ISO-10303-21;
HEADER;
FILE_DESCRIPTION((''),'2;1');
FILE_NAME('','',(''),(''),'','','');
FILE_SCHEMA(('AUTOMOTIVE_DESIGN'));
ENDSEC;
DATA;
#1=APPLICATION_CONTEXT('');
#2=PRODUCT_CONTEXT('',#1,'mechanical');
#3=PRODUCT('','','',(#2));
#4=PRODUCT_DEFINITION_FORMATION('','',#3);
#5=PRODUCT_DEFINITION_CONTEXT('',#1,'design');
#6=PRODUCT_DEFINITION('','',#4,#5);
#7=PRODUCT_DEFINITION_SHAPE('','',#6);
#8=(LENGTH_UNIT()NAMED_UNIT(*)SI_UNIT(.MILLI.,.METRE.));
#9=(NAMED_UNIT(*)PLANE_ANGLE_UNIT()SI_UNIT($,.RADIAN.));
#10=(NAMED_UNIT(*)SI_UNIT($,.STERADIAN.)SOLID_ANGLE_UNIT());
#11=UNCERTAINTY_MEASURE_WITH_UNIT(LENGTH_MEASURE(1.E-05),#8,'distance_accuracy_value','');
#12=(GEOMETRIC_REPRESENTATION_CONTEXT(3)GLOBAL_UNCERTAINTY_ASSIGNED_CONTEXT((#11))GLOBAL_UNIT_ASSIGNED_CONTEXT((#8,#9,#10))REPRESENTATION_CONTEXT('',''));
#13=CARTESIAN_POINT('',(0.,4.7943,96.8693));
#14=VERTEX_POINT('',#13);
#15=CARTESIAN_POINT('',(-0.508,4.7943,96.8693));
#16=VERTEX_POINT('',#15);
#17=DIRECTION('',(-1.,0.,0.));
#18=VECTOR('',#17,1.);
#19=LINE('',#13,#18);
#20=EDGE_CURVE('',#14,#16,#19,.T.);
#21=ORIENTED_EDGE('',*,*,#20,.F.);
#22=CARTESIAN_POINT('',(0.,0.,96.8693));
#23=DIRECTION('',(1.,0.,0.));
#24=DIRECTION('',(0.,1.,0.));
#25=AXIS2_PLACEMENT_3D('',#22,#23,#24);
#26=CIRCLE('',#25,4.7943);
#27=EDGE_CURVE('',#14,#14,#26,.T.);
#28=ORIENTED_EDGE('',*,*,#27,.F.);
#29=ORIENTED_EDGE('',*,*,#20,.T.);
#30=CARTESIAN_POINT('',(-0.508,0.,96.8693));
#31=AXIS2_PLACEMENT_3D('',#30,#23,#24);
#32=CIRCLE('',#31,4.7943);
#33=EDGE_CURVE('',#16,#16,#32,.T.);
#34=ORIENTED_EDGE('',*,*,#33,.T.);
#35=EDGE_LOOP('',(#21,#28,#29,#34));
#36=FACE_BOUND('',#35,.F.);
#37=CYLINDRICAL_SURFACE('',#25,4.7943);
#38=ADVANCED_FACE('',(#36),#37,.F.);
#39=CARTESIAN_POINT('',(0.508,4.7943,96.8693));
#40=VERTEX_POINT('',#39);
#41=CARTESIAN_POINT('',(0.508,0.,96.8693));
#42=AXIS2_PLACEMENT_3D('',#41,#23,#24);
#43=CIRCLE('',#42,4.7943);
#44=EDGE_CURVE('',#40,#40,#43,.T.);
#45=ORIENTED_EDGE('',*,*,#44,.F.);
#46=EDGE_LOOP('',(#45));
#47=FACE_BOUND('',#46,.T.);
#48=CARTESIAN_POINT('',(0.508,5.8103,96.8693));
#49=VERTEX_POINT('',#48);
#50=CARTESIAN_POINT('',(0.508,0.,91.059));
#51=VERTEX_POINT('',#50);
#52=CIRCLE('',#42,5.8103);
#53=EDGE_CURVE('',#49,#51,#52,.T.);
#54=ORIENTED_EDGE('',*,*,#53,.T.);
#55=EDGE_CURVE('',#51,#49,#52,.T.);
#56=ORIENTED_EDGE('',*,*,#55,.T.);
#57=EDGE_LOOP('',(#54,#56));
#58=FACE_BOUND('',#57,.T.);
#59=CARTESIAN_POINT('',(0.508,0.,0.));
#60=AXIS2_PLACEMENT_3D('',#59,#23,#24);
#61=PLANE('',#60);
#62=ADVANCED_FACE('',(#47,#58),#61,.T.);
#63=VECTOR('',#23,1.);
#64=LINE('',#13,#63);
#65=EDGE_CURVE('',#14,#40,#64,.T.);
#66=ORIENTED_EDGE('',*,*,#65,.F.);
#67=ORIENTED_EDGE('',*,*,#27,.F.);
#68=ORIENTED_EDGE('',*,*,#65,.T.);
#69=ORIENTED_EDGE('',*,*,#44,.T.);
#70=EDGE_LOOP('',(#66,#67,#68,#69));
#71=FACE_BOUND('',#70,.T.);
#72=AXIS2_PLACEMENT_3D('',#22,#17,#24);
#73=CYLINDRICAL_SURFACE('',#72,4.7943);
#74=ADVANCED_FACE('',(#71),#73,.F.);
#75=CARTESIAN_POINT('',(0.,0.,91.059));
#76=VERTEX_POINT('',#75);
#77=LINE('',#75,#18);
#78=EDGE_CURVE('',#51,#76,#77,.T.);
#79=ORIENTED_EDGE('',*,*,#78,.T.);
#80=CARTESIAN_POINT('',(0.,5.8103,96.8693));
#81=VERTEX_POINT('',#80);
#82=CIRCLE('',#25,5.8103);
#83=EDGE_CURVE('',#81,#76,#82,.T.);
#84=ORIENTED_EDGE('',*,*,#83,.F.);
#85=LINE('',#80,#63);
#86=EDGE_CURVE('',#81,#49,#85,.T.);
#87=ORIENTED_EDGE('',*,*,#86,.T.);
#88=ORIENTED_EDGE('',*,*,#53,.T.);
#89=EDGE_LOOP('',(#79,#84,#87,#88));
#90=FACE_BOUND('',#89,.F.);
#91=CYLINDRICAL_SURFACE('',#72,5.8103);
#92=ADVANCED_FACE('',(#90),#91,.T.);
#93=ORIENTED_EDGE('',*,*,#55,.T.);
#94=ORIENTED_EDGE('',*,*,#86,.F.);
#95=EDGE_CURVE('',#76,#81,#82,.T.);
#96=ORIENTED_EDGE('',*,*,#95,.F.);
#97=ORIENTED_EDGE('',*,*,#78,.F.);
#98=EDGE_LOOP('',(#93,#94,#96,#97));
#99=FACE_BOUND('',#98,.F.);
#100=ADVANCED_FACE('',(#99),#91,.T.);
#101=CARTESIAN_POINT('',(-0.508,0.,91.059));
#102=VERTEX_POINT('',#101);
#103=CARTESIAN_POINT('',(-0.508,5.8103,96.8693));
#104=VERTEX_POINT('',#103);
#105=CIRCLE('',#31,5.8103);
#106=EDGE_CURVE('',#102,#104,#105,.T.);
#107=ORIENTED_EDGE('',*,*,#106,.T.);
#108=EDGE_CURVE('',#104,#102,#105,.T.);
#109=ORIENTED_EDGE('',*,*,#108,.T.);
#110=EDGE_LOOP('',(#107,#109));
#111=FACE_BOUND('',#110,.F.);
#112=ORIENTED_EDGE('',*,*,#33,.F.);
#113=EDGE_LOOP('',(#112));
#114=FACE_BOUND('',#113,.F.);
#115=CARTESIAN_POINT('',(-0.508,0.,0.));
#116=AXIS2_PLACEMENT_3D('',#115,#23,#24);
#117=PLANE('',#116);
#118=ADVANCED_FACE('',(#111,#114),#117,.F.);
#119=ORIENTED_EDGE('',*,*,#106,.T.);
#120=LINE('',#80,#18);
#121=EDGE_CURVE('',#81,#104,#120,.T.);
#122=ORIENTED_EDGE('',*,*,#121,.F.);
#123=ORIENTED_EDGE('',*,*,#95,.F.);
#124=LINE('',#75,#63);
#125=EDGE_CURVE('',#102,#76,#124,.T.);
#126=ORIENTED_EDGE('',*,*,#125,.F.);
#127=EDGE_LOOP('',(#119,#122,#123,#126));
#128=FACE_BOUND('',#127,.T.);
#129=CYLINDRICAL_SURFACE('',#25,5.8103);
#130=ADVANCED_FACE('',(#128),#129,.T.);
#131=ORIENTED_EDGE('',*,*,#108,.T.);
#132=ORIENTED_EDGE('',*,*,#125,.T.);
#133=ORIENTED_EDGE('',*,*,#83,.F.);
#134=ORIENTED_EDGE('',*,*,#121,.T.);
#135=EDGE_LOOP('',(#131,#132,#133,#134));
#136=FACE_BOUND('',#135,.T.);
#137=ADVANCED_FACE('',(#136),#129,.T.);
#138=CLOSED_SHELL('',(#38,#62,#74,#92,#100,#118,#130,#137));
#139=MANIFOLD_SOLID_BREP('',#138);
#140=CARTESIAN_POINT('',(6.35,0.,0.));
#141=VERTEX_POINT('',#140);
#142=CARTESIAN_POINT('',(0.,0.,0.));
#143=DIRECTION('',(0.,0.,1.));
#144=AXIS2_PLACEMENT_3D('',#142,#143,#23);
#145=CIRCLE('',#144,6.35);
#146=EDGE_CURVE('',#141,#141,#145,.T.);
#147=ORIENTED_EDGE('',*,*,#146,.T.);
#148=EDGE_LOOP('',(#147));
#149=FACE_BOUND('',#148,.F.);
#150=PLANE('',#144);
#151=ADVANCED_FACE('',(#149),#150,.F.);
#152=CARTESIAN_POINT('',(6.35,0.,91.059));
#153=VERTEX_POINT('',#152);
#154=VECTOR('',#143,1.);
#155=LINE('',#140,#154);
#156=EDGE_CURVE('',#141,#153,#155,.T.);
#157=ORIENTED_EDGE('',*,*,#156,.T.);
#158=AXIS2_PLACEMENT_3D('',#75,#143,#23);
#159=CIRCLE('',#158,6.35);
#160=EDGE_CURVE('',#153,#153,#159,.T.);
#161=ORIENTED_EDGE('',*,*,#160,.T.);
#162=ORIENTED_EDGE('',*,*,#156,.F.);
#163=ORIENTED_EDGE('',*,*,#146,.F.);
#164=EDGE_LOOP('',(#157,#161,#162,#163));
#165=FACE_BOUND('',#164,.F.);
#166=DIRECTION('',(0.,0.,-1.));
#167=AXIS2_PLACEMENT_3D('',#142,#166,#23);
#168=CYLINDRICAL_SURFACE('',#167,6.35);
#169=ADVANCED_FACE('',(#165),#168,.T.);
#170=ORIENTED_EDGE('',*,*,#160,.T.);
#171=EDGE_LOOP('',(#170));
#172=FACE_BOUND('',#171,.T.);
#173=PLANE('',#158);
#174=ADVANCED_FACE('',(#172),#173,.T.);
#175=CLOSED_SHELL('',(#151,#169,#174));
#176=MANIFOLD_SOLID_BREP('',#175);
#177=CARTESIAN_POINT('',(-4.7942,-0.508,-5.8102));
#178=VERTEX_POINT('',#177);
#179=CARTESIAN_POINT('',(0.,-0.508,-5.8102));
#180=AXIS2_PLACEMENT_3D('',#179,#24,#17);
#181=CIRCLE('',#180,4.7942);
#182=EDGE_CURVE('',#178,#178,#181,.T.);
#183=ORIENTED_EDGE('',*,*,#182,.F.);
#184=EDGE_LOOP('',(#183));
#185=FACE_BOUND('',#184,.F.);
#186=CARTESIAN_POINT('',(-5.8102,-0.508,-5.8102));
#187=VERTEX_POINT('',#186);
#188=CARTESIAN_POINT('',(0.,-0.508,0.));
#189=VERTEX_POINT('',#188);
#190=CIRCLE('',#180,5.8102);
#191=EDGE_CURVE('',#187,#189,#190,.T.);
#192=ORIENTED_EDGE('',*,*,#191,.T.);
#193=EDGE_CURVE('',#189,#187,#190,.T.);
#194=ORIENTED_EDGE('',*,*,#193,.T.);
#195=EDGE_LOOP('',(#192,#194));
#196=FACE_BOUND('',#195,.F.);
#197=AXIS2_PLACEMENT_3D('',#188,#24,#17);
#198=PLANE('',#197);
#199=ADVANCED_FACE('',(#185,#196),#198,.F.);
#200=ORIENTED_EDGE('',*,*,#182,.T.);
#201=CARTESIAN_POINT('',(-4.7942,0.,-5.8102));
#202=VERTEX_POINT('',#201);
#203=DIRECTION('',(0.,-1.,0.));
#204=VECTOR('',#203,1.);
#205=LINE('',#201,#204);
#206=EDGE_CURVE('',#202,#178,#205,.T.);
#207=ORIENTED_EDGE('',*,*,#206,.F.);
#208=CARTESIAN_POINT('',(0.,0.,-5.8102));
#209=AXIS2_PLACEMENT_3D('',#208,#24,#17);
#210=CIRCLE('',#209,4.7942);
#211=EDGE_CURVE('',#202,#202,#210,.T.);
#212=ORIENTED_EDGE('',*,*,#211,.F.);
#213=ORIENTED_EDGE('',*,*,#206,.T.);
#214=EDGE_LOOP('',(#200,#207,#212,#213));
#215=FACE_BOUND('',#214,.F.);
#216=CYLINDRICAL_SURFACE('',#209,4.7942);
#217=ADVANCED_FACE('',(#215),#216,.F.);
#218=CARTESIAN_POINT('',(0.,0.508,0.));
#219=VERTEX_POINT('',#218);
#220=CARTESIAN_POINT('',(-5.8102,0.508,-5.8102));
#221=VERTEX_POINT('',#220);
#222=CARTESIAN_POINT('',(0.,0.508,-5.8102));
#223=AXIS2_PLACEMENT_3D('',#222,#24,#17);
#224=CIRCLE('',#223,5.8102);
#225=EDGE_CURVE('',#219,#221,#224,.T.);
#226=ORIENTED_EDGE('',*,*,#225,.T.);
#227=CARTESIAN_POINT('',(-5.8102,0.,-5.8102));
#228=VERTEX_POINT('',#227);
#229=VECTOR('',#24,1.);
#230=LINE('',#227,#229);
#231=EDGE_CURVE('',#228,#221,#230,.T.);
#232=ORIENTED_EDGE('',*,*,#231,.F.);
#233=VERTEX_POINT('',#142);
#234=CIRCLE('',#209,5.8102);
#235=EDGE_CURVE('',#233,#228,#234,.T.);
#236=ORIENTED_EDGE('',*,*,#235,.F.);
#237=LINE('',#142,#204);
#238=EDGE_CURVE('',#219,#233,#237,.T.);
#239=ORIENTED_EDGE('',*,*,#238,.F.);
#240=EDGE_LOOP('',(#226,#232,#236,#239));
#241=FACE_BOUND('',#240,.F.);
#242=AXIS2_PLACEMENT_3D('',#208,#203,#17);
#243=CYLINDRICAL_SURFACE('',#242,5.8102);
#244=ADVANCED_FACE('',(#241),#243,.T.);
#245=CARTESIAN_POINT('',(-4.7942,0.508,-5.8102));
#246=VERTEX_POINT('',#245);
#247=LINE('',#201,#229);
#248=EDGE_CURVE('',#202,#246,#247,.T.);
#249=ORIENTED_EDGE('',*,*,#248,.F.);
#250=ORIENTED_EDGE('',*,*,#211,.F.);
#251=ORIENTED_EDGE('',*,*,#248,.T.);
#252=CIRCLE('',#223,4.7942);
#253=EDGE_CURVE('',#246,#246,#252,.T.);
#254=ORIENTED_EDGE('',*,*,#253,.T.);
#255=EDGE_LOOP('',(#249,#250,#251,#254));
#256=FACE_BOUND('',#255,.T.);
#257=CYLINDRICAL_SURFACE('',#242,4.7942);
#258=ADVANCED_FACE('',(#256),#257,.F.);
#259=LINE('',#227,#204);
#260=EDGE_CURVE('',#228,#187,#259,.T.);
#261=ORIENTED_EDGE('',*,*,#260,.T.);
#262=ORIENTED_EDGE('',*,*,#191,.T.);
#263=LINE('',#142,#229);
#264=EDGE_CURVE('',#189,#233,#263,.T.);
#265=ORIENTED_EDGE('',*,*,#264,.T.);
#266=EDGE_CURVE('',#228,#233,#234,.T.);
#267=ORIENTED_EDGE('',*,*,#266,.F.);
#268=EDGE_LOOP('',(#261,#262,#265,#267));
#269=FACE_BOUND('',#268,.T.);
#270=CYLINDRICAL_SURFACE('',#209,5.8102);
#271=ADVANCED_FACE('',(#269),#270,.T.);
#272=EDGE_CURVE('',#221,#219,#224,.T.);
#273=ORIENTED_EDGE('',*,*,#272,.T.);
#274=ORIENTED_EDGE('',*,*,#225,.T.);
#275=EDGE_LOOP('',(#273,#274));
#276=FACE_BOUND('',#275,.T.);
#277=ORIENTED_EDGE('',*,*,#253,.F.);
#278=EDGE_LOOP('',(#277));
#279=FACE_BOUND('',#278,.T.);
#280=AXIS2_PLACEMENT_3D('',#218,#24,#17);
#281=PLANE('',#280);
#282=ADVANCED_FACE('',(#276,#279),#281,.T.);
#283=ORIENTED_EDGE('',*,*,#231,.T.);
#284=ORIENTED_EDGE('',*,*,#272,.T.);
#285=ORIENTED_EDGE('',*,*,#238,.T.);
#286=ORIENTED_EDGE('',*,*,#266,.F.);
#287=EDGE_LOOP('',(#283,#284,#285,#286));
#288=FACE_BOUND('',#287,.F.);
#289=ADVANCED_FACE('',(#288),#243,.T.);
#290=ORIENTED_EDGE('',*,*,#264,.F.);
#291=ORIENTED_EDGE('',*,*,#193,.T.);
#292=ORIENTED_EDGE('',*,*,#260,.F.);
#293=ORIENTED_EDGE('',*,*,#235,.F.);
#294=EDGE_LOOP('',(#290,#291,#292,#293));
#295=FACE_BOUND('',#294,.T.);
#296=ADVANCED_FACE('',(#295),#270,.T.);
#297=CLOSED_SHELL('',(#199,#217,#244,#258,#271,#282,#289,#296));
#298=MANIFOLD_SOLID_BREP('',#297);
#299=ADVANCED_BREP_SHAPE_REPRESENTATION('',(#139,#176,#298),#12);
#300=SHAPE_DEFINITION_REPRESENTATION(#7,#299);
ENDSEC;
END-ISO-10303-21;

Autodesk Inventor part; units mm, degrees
ref_plane "YZ Plane" through (0, 0, 0) normal (1, 0, 0) x (0, 1, 0)
ref_plane "XZ Plane" through (0, 0, 0) normal (0, 1, 0) x (-1, 0, 0)
ref_plane "XY Plane" through (0, 0, 0) normal (0, 0, 1) x (1, 0, 0)
sketch "Sketch2" plane through (0, 0, 0) normal (0, 0, 1) x (1, 0, 0)
  circle A0 centre (0, 0) radius 6.35
  dimension "d0" = 12.7
extrude "Extrusion1" add sketch "Sketch2" along normal blind 91.059
sketch "Sketch3" plane through (0, 0, 0) normal (1, 0, 0) x (0, 1, 0)
  line L0 (6.35, 91.059) -> (-6.35, 91.059) construction
  line L1 (0, 91.059) -> (0, 96.8693) construction
  circle A0 centre (0, 96.8693) radius 5.8103
  circle A1 centre (0, 96.8693) radius 4.7943
  point P0 (0, 0)
  dimension "d3" = 5.8102
  dimension "d4" = 11.6205
  dimension "d5" = 1.016
extrude "Extrusion2" add sketch "Sketch3" along normal mid plane 1.016
sketch "Sketch4" plane through (0, 0, 0) normal (0, 1, 0) x (-1, 0, 0)
  line L0 (0, 0) -> (0, -5.8102) construction
  circle A0 centre (0, -5.8102) radius 5.8102
  circle A1 centre (0, -5.8102) radius 4.7942
  dimension "d8" = 5.8102
  dimension "d9" = 11.6205
  dimension "d10" = 1.016
extrude "Extrusion3" add sketch "Sketch4" along normal mid plane 1.016
properties part number "spring stand in"
